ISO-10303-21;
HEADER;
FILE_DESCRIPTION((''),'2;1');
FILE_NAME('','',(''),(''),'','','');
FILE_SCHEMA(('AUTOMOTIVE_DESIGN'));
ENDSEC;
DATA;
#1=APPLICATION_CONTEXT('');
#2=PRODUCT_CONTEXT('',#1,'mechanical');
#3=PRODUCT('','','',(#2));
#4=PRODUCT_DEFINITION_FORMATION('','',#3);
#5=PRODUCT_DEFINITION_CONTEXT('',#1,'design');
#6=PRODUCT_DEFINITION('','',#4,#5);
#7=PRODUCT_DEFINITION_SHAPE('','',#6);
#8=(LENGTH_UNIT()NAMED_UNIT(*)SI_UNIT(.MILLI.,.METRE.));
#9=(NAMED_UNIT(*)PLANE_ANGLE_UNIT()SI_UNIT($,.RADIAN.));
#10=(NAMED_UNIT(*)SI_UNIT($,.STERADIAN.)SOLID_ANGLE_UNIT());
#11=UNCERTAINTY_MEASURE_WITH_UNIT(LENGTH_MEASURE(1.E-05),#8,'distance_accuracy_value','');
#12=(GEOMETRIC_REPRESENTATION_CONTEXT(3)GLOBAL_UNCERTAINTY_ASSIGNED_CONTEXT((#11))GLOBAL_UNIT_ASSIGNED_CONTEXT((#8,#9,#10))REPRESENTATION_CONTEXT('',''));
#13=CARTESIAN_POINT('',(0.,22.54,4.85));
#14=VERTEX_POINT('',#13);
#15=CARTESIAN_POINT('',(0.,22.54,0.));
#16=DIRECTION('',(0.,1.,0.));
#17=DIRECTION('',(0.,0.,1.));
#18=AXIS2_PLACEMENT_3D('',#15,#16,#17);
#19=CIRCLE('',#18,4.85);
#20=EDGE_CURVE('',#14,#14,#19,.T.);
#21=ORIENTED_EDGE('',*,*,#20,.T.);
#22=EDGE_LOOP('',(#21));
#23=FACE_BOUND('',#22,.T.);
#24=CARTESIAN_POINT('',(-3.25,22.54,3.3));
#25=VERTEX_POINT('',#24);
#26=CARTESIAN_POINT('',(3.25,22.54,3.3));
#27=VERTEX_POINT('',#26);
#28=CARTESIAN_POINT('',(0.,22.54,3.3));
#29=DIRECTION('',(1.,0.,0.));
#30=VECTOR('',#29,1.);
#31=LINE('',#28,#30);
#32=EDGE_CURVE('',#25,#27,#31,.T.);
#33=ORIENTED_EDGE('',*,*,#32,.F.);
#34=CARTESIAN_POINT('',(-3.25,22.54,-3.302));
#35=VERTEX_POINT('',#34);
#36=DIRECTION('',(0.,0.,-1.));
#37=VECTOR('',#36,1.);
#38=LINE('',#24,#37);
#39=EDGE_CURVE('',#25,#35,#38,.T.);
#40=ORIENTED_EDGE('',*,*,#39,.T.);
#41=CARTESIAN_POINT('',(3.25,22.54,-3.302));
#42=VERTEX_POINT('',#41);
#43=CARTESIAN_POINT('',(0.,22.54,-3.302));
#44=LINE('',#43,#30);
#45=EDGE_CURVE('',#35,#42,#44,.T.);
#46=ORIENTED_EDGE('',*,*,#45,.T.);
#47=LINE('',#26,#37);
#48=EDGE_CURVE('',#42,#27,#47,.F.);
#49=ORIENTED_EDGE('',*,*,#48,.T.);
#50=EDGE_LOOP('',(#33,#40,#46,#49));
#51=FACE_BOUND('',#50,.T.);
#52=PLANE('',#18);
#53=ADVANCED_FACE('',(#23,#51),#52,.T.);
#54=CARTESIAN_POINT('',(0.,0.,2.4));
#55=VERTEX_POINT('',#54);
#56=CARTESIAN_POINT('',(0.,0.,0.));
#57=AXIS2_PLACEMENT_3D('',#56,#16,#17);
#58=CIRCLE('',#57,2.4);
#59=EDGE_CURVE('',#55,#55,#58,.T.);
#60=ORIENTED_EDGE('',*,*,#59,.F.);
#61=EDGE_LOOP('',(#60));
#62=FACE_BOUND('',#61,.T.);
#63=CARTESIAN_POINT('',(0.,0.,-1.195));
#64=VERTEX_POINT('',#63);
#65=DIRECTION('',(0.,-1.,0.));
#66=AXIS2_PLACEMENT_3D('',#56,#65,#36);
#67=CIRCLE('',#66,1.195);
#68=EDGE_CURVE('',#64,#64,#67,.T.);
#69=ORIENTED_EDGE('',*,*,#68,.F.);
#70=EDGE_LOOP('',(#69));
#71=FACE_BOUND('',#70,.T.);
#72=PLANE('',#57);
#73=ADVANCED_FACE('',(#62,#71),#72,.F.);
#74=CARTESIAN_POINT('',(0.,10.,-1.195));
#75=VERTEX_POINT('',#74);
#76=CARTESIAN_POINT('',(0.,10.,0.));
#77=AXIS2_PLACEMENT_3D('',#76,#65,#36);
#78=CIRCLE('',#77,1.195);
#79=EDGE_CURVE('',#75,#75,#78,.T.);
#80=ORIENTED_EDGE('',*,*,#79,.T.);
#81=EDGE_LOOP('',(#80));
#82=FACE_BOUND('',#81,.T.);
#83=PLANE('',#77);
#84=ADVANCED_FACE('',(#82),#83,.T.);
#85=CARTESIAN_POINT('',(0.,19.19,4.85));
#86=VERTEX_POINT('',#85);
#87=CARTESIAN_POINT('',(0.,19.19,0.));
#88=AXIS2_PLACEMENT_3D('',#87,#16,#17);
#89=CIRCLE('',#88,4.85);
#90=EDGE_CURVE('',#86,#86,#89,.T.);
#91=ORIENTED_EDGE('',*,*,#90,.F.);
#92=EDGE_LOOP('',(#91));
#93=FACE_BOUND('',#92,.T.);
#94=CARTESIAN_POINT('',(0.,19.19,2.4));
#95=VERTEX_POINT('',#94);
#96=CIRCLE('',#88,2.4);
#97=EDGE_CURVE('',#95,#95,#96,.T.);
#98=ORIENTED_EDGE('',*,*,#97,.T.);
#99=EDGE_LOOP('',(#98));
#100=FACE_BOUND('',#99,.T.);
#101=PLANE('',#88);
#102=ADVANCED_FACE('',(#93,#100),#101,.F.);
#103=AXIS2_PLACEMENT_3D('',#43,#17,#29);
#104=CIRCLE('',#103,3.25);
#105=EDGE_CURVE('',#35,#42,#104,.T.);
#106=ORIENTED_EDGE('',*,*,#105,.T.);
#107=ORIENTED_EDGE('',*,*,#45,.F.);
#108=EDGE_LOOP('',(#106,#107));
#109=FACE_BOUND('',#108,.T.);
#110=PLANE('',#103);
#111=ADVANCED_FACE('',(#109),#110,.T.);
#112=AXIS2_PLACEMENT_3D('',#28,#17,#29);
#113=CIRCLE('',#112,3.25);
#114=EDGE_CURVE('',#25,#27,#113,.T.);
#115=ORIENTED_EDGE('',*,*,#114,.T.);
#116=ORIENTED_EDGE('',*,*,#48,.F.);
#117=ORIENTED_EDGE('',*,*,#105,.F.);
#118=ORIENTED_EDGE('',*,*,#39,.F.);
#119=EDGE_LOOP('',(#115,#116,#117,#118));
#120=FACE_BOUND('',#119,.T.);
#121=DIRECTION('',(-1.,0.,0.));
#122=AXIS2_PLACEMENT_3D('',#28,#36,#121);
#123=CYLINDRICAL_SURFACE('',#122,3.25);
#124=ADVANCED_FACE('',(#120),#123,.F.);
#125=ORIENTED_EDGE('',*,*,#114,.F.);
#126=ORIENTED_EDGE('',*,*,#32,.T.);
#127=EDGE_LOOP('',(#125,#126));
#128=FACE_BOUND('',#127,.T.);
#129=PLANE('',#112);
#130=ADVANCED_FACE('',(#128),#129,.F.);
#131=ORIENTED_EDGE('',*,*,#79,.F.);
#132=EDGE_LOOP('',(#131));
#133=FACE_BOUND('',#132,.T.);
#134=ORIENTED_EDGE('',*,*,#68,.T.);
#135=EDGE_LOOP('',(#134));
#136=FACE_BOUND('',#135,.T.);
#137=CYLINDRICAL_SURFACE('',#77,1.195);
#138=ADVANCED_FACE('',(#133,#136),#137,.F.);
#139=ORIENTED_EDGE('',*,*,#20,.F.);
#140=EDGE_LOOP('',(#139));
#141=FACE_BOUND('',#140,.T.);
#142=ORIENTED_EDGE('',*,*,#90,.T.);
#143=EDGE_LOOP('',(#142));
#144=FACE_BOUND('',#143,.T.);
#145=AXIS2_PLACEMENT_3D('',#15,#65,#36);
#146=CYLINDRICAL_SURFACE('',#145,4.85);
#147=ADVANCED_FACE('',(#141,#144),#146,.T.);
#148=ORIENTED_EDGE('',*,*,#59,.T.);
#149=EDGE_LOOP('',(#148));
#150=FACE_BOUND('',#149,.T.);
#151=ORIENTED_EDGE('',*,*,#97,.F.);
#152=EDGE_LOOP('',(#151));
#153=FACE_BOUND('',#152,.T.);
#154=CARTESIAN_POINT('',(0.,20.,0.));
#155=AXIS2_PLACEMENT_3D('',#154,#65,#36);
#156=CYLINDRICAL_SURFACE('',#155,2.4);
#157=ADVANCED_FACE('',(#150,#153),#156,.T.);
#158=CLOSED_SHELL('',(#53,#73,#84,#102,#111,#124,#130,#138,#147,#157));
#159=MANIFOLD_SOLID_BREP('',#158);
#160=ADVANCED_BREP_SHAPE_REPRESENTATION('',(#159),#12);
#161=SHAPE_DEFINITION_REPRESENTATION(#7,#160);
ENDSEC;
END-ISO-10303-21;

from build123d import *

# Parameters (mm, degrees)
SKETCH1_R               = 2.4
BOSS_EXTRUDE1_DEPTH     = 20
SKETCH2_R               = 1.195
CUT_EXTRUDE1_DEPTH      = 10
SKETCH4_R               = 4.85
BOSS_EXTRUDE2_DEPTH     = 2.54
BOSS_EXTRUDE3_START     = -3.35
SKETCH6_R               = 4.85
BOSS_EXTRUDE3_DEPTH     = 3.35
CUT_EXTRUDE3_DEPTH      = 3.3
CUT_EXTRUDE3_DEPTH_BACK = 3.302
SKETCH5_R               = 3.25


with BuildPart() as part:
    # Sketch1 → Boss-Extrude1 (new body)
    with BuildSketch(Plane(origin=(0, 0, 0), x_dir=(1, 0, 0), z_dir=(0, 1, 0))):
        with Locations(Location((0, 0, 0), (0, 0, 270))):
            Circle(SKETCH1_R)
    extrude(amount=BOSS_EXTRUDE1_DEPTH)

    # Sketch2 → Cut-Extrude1 (cut)
    with BuildSketch(Plane.XZ):
        with Locations(Location((0, 0, 0), (0, 0, 270))):
            Circle(SKETCH2_R)
    extrude(amount=-CUT_EXTRUDE1_DEPTH, mode=Mode.SUBTRACT)

    # Sketch4 → Boss-Extrude2 (add)
    with BuildSketch(Plane(origin=(0, 20, 0), x_dir=(1, 0, 0), z_dir=(0, 1, 0))):
        with Locations(Location((0, 0, 0), (0, 0, 270))):
            Circle(SKETCH4_R)
    extrude(amount=BOSS_EXTRUDE2_DEPTH)

    # Sketch6 → Boss-Extrude3 (add)
    with BuildSketch(Plane(origin=(0, 22.54, 0), x_dir=(1, 0, 0), z_dir=(0, 1, 0)).offset(BOSS_EXTRUDE3_START)):
        with Locations(Location((0, 0, 0), (0, 0, 270))):
            Circle(SKETCH6_R)
    extrude(amount=BOSS_EXTRUDE3_DEPTH)

    # Sketch5 → Cut-Extrude3 (cut, two sides: drawn at the far end of the back side and taken through both)
    with BuildSketch(Plane.XY.offset(-CUT_EXTRUDE3_DEPTH_BACK)):
        with Locations((0, 22.54)):
            Circle(SKETCH5_R)
    extrude(amount=CUT_EXTRUDE3_DEPTH + CUT_EXTRUDE3_DEPTH_BACK, mode=Mode.SUBTRACT)


solid = part.part
